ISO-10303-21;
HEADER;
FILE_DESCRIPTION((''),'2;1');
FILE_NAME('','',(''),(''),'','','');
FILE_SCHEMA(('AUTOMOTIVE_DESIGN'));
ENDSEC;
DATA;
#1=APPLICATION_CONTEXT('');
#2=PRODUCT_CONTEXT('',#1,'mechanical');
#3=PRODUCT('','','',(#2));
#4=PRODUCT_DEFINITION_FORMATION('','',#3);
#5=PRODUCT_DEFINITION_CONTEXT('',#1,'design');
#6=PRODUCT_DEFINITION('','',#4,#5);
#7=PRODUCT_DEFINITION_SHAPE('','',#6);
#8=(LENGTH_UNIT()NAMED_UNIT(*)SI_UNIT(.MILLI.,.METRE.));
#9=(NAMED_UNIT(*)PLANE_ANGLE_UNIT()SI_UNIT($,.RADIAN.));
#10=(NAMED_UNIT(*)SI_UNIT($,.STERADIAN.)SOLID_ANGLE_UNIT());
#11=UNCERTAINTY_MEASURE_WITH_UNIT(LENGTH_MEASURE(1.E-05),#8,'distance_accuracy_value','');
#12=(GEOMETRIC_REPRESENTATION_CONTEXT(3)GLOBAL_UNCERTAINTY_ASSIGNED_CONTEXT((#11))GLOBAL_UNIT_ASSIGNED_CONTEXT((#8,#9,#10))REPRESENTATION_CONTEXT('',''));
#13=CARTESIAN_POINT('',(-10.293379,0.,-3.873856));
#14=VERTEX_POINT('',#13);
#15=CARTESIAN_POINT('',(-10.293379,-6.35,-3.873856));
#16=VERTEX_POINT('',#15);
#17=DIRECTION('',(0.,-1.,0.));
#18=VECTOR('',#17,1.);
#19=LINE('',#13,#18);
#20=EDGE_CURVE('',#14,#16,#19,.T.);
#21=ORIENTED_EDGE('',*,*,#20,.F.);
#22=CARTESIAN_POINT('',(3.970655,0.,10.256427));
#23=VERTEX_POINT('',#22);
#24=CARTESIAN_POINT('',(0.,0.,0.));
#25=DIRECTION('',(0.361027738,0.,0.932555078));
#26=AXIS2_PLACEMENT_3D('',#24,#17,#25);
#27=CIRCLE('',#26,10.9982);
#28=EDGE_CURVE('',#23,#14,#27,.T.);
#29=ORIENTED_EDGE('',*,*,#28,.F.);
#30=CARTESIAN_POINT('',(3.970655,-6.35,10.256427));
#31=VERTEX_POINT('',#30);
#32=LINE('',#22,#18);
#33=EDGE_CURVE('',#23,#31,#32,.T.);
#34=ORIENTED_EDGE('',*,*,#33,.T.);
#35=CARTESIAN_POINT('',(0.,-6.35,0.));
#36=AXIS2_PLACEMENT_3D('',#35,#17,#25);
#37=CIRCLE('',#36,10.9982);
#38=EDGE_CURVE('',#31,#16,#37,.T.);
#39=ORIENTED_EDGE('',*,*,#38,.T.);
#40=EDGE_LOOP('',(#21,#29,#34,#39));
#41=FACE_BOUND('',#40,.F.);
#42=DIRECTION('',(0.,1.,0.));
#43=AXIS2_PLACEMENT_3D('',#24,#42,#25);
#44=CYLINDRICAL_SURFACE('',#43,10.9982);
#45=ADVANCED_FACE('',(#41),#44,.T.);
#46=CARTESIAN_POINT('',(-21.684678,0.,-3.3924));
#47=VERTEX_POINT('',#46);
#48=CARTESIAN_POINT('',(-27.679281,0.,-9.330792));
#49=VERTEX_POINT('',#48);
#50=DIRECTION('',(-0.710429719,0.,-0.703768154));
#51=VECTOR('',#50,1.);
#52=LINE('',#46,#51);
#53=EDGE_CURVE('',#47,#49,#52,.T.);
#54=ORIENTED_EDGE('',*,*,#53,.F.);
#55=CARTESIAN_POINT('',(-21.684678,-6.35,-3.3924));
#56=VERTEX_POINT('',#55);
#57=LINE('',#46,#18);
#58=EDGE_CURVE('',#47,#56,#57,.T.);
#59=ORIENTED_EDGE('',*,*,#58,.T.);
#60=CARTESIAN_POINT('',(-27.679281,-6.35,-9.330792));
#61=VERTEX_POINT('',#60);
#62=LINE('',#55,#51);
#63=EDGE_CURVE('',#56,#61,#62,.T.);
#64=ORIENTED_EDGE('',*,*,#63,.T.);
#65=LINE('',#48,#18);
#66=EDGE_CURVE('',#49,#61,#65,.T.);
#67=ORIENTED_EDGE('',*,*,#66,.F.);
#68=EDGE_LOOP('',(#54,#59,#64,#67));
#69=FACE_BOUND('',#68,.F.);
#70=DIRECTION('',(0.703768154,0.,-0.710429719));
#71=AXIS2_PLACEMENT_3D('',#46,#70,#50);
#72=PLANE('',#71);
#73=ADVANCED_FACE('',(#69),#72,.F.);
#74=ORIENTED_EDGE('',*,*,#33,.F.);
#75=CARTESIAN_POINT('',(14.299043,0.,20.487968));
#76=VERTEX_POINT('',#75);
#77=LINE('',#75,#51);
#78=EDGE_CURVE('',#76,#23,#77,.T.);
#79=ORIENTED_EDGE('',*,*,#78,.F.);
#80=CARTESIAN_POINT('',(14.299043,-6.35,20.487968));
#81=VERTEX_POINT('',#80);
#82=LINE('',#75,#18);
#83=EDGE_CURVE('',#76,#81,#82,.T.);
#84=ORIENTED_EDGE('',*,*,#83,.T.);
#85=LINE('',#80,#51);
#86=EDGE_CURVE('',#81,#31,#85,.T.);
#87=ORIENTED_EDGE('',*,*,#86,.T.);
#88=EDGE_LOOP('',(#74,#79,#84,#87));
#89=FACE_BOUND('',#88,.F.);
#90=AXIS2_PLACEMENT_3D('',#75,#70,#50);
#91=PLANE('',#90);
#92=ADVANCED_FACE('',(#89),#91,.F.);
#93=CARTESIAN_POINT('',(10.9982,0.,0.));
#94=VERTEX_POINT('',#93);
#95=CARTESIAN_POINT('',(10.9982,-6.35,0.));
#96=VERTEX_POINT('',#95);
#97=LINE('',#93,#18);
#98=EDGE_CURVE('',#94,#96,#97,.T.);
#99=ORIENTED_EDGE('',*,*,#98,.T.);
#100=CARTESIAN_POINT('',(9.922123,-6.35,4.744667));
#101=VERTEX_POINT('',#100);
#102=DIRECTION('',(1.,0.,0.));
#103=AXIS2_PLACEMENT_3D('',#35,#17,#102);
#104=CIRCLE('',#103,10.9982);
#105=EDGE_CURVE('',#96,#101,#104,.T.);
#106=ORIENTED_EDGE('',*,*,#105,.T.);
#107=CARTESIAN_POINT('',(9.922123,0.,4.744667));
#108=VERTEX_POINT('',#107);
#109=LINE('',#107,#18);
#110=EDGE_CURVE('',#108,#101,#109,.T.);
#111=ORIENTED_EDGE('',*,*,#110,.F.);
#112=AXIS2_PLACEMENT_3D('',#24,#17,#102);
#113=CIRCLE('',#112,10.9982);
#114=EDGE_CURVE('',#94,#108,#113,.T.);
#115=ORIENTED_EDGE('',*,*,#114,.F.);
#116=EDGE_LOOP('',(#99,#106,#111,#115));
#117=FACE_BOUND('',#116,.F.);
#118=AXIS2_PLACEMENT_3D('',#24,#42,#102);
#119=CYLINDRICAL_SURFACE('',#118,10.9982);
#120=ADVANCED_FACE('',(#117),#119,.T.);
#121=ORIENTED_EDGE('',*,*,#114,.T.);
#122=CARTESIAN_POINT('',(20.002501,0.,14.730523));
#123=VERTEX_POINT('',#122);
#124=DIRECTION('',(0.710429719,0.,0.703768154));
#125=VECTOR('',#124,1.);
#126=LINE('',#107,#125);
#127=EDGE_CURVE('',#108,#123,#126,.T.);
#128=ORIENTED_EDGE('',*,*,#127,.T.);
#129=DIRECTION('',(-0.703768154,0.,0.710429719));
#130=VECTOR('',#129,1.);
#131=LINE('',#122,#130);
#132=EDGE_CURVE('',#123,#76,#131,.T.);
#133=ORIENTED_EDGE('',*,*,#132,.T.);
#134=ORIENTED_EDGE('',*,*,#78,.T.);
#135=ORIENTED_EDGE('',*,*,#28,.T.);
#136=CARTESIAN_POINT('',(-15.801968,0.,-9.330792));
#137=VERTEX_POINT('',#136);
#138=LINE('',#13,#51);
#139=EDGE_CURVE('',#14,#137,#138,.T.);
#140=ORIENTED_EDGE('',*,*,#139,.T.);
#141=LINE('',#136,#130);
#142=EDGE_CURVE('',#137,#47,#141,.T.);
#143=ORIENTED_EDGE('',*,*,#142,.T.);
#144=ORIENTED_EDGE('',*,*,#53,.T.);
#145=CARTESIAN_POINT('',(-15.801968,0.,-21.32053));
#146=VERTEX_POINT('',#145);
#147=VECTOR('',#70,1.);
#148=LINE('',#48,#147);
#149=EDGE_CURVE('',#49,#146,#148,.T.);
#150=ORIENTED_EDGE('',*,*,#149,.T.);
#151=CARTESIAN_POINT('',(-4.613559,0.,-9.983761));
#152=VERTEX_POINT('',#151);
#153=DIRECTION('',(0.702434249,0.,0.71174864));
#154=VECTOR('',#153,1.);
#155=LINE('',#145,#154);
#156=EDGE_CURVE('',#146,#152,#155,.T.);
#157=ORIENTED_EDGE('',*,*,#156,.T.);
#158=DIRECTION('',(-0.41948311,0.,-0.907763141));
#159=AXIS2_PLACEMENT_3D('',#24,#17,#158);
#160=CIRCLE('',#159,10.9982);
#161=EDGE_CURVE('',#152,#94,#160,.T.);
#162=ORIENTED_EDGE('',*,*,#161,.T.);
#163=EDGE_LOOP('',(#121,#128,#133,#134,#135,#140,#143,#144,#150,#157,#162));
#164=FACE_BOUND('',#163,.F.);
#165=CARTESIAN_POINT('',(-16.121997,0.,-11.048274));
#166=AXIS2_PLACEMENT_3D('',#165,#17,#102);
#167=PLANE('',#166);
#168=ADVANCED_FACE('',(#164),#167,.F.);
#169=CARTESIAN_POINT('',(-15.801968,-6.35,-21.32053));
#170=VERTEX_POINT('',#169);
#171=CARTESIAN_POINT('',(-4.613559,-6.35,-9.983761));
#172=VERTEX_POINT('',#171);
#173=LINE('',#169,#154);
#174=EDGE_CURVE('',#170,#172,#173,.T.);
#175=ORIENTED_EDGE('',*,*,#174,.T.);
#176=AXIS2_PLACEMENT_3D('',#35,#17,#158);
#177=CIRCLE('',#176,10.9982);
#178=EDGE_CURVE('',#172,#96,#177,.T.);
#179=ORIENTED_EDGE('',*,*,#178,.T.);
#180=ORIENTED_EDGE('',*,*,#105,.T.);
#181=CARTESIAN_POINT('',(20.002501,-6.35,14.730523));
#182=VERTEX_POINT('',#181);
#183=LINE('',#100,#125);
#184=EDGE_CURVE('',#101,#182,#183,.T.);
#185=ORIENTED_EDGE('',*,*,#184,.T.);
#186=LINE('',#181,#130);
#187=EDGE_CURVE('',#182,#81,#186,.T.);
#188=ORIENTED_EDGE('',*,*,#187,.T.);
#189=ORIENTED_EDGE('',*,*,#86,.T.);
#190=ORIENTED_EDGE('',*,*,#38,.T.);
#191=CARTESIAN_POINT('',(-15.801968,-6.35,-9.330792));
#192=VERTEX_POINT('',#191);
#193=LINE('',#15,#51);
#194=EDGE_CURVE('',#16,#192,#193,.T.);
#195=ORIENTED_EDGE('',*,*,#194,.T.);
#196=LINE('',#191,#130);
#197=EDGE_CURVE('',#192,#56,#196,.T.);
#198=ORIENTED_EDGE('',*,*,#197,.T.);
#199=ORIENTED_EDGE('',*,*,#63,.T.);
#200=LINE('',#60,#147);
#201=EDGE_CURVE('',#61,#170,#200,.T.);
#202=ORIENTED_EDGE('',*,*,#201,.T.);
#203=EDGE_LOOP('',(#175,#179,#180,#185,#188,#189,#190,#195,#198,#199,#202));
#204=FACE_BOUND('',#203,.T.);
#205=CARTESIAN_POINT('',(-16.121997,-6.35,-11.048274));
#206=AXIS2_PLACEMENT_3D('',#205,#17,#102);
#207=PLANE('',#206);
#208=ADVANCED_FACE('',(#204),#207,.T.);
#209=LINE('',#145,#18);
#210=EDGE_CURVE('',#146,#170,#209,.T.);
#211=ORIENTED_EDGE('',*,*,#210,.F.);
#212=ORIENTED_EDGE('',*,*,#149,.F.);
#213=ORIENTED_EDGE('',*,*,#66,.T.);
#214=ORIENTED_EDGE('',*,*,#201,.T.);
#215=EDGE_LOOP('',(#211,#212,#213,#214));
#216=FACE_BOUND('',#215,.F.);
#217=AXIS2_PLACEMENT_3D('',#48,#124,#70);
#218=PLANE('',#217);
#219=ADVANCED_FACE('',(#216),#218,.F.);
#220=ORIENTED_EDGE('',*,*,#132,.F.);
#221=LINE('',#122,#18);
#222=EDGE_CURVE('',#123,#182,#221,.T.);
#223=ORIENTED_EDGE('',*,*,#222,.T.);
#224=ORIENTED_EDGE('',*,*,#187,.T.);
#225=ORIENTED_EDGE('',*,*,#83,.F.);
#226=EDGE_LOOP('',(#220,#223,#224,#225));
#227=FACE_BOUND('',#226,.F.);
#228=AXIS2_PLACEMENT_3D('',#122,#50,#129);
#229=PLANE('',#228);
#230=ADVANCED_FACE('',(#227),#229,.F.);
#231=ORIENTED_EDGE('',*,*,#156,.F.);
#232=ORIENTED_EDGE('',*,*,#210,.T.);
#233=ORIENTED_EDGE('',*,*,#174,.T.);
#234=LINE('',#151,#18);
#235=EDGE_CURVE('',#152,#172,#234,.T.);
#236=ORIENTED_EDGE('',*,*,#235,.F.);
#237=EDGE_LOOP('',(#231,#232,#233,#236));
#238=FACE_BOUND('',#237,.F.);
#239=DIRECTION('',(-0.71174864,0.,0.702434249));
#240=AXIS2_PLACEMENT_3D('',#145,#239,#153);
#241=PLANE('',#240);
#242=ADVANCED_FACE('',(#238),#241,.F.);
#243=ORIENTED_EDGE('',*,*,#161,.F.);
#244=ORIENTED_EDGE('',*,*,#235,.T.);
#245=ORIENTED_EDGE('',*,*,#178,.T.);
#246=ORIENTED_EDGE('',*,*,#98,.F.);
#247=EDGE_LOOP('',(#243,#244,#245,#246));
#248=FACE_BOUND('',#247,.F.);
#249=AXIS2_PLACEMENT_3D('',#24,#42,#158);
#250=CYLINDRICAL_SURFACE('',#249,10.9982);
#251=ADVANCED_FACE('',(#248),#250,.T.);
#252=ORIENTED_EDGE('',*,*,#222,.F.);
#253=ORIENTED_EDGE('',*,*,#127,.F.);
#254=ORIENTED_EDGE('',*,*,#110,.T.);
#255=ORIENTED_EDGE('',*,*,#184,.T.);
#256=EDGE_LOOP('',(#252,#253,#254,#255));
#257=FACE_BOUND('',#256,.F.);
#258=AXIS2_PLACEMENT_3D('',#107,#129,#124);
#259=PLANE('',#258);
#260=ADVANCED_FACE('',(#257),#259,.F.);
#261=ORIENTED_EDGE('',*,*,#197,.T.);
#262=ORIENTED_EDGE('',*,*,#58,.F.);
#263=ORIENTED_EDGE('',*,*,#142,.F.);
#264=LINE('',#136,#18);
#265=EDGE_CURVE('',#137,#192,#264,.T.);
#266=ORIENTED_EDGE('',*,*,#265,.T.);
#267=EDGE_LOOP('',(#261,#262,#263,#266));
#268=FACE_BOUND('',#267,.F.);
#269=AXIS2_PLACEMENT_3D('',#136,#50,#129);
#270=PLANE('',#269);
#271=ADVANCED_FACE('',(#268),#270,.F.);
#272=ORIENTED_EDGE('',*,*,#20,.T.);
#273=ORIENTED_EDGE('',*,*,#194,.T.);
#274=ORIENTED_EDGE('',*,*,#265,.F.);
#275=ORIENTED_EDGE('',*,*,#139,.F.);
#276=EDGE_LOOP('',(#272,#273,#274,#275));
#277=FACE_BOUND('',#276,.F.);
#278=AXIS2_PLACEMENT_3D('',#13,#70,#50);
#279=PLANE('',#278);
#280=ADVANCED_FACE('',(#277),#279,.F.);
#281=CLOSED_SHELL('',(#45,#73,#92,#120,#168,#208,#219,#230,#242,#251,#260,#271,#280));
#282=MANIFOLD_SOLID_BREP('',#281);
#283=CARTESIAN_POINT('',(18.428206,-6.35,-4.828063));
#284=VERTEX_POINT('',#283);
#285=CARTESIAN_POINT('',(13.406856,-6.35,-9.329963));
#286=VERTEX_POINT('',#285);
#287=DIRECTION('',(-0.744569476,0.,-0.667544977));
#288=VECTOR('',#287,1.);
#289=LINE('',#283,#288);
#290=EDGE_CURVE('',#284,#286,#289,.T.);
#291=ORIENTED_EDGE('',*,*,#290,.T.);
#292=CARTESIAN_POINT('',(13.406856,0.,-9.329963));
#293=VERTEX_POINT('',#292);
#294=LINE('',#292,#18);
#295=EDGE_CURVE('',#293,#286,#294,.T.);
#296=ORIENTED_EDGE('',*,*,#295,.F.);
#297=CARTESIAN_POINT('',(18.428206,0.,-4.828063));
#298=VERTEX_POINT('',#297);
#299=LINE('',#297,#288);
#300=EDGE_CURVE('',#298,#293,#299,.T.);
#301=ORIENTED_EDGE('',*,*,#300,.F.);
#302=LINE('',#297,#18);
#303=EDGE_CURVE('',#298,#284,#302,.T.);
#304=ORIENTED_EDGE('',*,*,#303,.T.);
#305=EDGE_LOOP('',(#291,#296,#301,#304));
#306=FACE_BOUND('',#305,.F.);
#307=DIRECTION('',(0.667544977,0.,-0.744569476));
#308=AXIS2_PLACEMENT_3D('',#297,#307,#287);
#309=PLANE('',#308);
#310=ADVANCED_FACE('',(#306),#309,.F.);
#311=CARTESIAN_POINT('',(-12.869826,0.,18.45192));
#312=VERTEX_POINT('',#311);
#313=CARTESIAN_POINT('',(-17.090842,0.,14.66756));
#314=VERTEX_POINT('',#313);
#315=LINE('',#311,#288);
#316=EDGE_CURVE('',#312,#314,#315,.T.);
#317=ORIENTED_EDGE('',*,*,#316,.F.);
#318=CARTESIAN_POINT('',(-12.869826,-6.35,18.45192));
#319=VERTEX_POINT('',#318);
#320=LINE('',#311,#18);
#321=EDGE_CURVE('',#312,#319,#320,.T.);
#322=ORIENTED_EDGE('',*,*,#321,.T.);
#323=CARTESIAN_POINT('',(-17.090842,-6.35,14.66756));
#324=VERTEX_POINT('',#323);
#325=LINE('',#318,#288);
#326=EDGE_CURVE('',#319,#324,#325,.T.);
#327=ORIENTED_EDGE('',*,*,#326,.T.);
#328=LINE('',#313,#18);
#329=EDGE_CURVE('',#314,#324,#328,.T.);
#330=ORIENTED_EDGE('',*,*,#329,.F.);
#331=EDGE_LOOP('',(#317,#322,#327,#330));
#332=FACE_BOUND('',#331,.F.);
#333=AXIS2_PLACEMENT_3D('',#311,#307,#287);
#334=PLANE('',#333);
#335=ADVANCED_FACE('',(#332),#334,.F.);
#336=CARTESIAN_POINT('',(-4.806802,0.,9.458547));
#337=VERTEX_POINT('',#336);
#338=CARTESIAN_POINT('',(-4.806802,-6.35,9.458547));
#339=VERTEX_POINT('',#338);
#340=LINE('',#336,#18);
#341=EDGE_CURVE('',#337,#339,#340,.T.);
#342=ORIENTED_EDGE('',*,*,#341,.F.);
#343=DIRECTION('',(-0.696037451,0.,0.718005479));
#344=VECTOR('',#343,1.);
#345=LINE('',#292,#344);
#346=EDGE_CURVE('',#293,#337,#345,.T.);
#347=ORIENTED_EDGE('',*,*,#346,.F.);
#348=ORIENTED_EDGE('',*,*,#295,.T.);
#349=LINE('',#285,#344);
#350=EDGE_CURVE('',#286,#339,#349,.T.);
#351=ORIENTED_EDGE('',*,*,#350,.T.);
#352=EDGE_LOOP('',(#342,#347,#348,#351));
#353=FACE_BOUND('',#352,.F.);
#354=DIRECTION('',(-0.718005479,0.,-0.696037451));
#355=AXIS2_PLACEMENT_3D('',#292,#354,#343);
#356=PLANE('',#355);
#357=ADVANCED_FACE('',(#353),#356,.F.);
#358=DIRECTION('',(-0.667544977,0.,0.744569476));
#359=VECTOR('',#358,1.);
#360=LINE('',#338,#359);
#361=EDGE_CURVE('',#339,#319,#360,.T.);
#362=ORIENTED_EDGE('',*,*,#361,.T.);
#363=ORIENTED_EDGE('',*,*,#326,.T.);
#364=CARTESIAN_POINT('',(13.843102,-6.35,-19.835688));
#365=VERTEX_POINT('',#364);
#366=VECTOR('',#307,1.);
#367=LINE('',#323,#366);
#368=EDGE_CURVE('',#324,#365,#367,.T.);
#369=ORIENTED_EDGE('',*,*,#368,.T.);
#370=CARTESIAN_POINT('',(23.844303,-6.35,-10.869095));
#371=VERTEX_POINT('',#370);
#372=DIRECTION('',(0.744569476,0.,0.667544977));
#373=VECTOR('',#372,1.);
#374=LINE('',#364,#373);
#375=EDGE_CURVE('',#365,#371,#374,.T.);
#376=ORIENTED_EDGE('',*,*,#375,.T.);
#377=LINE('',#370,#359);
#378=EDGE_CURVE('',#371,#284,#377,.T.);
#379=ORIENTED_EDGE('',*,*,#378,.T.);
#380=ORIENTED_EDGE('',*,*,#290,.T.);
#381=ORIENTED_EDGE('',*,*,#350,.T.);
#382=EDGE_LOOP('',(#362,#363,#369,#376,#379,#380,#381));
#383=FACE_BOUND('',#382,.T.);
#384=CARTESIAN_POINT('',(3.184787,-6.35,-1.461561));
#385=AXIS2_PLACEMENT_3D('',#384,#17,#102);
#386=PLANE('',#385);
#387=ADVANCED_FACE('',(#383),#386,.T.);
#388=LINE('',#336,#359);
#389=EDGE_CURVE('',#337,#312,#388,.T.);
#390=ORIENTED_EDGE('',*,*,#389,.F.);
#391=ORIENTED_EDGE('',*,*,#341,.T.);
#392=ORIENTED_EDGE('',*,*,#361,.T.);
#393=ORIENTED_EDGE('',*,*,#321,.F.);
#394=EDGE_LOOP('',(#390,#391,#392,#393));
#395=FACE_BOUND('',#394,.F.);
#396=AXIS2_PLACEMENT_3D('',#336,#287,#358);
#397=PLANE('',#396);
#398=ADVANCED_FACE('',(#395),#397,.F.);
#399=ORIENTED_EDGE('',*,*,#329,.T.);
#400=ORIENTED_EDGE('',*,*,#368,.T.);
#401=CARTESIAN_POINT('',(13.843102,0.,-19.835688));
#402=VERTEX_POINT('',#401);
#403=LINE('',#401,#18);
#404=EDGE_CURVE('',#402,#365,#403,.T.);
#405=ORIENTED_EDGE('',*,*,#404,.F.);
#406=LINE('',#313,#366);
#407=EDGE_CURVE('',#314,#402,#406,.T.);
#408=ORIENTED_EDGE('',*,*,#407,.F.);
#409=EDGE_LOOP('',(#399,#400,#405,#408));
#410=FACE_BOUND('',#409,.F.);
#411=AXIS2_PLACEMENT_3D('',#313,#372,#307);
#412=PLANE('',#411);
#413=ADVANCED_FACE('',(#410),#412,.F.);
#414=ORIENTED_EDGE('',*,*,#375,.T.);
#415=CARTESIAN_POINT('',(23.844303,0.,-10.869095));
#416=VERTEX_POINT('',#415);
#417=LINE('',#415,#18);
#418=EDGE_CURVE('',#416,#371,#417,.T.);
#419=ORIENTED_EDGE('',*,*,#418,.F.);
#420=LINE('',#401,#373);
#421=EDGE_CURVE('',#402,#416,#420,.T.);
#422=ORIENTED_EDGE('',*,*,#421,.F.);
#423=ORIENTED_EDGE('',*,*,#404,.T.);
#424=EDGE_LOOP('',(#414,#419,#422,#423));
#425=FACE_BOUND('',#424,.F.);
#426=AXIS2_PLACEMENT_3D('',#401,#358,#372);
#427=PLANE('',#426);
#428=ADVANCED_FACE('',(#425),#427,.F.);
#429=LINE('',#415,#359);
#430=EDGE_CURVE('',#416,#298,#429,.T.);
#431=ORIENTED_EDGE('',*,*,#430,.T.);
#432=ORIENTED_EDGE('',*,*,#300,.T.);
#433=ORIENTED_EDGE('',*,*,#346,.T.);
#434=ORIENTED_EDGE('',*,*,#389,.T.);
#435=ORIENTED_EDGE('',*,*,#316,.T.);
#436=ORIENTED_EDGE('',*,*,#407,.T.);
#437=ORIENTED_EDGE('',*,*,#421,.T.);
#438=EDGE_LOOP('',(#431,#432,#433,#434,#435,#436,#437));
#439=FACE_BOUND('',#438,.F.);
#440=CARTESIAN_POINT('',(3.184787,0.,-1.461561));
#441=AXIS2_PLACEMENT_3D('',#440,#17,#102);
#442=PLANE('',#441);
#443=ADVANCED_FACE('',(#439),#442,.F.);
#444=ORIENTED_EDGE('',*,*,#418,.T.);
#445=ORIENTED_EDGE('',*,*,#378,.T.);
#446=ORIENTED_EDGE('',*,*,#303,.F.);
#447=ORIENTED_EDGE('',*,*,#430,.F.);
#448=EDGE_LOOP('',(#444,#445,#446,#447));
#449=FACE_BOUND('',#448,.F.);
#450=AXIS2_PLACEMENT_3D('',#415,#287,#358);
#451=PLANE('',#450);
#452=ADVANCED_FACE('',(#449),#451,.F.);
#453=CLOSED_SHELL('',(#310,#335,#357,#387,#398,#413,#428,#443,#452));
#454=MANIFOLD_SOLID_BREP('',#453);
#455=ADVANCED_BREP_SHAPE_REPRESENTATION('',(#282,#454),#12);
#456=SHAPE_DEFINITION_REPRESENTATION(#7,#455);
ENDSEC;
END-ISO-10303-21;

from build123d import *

# Parameters (mm, degrees)
F2_DEPTH = 6.35


with BuildPart() as f2:
    # F1 (on Front) → F2 (new body)
    with BuildSketch(Plane.XZ):
        Polygon((13.4068555883, -9.3299626637), (-4.8068021424, 9.4585465267), (-12.8698255867, 18.4519197792), (-17.0908423278, 14.6675603418), (13.8431015945, -19.8356884441), (23.8443027513, -10.86909525), (18.4282055772, -4.8280631489), align=None)
    extrude(amount=F2_DEPTH)


with BuildPart() as f2b:
    # F0 (on Front) → F2, piece 2 (new body)
    with BuildSketch(Plane.XZ):
        with BuildLine():
            Line((-15.801968473, -21.3205300156), (-4.6135591432, -9.9837605777))
            ThreePointArc((-4.6135591432, -9.9837605777), (-8.0552426423, -7.4882220328), (-10.2933787472, -3.8738555997))
            Line((-10.2933787472, -3.8738555997), (-15.801968473, -9.3307923181))
            Line((-15.801968473, -9.3307923181), (-21.6846778428, -3.3923997609))
            Line((-21.6846778428, -3.3923997609), (-27.6792806605, -9.3307923181))
            Line((-27.6792806605, -9.3307923181), (-15.801968473, -21.3205300156))
        make_face()
        with BuildLine():
            ThreePointArc((3.9706552641, 10.2564272539), (7.4730983496, 8.0692753266), (9.9221234412, 4.744667497))
            Line((9.9221234412, 4.744667497), (20.0025010854, 14.7305233404))
            Line((20.0025010854, 14.7305233404), (14.2990431264, 20.4879677704))
            Line((14.2990431264, 20.4879677704), (3.9706552641, 10.2564272539))
        make_face()
        with BuildLine():
            Line((-10.2933787472, -3.8738555997), (3.9706552641, 10.2564272539))
            ThreePointArc((3.9706552641, 10.2564272539), (-7.7401829075, 7.8134481376), (-10.2933787472, -3.8738555997))
        make_face()
        with BuildLine():
            ThreePointArc((-4.6135591432, -9.9837605777), (5.925350499, -9.2655612191), (10.9982, 0))
            ThreePointArc((10.9982, 0), (10.7258076915, 2.4325814692), (9.9221234412, 4.744667497))
            Line((9.9221234412, 4.744667497), (-4.6135591432, -9.9837605777))
        make_face()
        with BuildLine():
            Line((-4.6135591432, -9.9837605777), (9.9221234412, 4.744667497))
            ThreePointArc((9.9221234412, 4.744667497), (7.4730983496, 8.0692753266), (3.9706552641, 10.2564272539))
            Line((3.9706552641, 10.2564272539), (-10.2933787472, -3.8738555997))
            ThreePointArc((-10.2933787472, -3.8738555997), (-8.0552426423, -7.4882220328), (-4.6135591432, -9.9837605777))
        make_face()
    extrude(amount=F2_DEPTH)


solid = Compound([f2.part, f2b.part])
